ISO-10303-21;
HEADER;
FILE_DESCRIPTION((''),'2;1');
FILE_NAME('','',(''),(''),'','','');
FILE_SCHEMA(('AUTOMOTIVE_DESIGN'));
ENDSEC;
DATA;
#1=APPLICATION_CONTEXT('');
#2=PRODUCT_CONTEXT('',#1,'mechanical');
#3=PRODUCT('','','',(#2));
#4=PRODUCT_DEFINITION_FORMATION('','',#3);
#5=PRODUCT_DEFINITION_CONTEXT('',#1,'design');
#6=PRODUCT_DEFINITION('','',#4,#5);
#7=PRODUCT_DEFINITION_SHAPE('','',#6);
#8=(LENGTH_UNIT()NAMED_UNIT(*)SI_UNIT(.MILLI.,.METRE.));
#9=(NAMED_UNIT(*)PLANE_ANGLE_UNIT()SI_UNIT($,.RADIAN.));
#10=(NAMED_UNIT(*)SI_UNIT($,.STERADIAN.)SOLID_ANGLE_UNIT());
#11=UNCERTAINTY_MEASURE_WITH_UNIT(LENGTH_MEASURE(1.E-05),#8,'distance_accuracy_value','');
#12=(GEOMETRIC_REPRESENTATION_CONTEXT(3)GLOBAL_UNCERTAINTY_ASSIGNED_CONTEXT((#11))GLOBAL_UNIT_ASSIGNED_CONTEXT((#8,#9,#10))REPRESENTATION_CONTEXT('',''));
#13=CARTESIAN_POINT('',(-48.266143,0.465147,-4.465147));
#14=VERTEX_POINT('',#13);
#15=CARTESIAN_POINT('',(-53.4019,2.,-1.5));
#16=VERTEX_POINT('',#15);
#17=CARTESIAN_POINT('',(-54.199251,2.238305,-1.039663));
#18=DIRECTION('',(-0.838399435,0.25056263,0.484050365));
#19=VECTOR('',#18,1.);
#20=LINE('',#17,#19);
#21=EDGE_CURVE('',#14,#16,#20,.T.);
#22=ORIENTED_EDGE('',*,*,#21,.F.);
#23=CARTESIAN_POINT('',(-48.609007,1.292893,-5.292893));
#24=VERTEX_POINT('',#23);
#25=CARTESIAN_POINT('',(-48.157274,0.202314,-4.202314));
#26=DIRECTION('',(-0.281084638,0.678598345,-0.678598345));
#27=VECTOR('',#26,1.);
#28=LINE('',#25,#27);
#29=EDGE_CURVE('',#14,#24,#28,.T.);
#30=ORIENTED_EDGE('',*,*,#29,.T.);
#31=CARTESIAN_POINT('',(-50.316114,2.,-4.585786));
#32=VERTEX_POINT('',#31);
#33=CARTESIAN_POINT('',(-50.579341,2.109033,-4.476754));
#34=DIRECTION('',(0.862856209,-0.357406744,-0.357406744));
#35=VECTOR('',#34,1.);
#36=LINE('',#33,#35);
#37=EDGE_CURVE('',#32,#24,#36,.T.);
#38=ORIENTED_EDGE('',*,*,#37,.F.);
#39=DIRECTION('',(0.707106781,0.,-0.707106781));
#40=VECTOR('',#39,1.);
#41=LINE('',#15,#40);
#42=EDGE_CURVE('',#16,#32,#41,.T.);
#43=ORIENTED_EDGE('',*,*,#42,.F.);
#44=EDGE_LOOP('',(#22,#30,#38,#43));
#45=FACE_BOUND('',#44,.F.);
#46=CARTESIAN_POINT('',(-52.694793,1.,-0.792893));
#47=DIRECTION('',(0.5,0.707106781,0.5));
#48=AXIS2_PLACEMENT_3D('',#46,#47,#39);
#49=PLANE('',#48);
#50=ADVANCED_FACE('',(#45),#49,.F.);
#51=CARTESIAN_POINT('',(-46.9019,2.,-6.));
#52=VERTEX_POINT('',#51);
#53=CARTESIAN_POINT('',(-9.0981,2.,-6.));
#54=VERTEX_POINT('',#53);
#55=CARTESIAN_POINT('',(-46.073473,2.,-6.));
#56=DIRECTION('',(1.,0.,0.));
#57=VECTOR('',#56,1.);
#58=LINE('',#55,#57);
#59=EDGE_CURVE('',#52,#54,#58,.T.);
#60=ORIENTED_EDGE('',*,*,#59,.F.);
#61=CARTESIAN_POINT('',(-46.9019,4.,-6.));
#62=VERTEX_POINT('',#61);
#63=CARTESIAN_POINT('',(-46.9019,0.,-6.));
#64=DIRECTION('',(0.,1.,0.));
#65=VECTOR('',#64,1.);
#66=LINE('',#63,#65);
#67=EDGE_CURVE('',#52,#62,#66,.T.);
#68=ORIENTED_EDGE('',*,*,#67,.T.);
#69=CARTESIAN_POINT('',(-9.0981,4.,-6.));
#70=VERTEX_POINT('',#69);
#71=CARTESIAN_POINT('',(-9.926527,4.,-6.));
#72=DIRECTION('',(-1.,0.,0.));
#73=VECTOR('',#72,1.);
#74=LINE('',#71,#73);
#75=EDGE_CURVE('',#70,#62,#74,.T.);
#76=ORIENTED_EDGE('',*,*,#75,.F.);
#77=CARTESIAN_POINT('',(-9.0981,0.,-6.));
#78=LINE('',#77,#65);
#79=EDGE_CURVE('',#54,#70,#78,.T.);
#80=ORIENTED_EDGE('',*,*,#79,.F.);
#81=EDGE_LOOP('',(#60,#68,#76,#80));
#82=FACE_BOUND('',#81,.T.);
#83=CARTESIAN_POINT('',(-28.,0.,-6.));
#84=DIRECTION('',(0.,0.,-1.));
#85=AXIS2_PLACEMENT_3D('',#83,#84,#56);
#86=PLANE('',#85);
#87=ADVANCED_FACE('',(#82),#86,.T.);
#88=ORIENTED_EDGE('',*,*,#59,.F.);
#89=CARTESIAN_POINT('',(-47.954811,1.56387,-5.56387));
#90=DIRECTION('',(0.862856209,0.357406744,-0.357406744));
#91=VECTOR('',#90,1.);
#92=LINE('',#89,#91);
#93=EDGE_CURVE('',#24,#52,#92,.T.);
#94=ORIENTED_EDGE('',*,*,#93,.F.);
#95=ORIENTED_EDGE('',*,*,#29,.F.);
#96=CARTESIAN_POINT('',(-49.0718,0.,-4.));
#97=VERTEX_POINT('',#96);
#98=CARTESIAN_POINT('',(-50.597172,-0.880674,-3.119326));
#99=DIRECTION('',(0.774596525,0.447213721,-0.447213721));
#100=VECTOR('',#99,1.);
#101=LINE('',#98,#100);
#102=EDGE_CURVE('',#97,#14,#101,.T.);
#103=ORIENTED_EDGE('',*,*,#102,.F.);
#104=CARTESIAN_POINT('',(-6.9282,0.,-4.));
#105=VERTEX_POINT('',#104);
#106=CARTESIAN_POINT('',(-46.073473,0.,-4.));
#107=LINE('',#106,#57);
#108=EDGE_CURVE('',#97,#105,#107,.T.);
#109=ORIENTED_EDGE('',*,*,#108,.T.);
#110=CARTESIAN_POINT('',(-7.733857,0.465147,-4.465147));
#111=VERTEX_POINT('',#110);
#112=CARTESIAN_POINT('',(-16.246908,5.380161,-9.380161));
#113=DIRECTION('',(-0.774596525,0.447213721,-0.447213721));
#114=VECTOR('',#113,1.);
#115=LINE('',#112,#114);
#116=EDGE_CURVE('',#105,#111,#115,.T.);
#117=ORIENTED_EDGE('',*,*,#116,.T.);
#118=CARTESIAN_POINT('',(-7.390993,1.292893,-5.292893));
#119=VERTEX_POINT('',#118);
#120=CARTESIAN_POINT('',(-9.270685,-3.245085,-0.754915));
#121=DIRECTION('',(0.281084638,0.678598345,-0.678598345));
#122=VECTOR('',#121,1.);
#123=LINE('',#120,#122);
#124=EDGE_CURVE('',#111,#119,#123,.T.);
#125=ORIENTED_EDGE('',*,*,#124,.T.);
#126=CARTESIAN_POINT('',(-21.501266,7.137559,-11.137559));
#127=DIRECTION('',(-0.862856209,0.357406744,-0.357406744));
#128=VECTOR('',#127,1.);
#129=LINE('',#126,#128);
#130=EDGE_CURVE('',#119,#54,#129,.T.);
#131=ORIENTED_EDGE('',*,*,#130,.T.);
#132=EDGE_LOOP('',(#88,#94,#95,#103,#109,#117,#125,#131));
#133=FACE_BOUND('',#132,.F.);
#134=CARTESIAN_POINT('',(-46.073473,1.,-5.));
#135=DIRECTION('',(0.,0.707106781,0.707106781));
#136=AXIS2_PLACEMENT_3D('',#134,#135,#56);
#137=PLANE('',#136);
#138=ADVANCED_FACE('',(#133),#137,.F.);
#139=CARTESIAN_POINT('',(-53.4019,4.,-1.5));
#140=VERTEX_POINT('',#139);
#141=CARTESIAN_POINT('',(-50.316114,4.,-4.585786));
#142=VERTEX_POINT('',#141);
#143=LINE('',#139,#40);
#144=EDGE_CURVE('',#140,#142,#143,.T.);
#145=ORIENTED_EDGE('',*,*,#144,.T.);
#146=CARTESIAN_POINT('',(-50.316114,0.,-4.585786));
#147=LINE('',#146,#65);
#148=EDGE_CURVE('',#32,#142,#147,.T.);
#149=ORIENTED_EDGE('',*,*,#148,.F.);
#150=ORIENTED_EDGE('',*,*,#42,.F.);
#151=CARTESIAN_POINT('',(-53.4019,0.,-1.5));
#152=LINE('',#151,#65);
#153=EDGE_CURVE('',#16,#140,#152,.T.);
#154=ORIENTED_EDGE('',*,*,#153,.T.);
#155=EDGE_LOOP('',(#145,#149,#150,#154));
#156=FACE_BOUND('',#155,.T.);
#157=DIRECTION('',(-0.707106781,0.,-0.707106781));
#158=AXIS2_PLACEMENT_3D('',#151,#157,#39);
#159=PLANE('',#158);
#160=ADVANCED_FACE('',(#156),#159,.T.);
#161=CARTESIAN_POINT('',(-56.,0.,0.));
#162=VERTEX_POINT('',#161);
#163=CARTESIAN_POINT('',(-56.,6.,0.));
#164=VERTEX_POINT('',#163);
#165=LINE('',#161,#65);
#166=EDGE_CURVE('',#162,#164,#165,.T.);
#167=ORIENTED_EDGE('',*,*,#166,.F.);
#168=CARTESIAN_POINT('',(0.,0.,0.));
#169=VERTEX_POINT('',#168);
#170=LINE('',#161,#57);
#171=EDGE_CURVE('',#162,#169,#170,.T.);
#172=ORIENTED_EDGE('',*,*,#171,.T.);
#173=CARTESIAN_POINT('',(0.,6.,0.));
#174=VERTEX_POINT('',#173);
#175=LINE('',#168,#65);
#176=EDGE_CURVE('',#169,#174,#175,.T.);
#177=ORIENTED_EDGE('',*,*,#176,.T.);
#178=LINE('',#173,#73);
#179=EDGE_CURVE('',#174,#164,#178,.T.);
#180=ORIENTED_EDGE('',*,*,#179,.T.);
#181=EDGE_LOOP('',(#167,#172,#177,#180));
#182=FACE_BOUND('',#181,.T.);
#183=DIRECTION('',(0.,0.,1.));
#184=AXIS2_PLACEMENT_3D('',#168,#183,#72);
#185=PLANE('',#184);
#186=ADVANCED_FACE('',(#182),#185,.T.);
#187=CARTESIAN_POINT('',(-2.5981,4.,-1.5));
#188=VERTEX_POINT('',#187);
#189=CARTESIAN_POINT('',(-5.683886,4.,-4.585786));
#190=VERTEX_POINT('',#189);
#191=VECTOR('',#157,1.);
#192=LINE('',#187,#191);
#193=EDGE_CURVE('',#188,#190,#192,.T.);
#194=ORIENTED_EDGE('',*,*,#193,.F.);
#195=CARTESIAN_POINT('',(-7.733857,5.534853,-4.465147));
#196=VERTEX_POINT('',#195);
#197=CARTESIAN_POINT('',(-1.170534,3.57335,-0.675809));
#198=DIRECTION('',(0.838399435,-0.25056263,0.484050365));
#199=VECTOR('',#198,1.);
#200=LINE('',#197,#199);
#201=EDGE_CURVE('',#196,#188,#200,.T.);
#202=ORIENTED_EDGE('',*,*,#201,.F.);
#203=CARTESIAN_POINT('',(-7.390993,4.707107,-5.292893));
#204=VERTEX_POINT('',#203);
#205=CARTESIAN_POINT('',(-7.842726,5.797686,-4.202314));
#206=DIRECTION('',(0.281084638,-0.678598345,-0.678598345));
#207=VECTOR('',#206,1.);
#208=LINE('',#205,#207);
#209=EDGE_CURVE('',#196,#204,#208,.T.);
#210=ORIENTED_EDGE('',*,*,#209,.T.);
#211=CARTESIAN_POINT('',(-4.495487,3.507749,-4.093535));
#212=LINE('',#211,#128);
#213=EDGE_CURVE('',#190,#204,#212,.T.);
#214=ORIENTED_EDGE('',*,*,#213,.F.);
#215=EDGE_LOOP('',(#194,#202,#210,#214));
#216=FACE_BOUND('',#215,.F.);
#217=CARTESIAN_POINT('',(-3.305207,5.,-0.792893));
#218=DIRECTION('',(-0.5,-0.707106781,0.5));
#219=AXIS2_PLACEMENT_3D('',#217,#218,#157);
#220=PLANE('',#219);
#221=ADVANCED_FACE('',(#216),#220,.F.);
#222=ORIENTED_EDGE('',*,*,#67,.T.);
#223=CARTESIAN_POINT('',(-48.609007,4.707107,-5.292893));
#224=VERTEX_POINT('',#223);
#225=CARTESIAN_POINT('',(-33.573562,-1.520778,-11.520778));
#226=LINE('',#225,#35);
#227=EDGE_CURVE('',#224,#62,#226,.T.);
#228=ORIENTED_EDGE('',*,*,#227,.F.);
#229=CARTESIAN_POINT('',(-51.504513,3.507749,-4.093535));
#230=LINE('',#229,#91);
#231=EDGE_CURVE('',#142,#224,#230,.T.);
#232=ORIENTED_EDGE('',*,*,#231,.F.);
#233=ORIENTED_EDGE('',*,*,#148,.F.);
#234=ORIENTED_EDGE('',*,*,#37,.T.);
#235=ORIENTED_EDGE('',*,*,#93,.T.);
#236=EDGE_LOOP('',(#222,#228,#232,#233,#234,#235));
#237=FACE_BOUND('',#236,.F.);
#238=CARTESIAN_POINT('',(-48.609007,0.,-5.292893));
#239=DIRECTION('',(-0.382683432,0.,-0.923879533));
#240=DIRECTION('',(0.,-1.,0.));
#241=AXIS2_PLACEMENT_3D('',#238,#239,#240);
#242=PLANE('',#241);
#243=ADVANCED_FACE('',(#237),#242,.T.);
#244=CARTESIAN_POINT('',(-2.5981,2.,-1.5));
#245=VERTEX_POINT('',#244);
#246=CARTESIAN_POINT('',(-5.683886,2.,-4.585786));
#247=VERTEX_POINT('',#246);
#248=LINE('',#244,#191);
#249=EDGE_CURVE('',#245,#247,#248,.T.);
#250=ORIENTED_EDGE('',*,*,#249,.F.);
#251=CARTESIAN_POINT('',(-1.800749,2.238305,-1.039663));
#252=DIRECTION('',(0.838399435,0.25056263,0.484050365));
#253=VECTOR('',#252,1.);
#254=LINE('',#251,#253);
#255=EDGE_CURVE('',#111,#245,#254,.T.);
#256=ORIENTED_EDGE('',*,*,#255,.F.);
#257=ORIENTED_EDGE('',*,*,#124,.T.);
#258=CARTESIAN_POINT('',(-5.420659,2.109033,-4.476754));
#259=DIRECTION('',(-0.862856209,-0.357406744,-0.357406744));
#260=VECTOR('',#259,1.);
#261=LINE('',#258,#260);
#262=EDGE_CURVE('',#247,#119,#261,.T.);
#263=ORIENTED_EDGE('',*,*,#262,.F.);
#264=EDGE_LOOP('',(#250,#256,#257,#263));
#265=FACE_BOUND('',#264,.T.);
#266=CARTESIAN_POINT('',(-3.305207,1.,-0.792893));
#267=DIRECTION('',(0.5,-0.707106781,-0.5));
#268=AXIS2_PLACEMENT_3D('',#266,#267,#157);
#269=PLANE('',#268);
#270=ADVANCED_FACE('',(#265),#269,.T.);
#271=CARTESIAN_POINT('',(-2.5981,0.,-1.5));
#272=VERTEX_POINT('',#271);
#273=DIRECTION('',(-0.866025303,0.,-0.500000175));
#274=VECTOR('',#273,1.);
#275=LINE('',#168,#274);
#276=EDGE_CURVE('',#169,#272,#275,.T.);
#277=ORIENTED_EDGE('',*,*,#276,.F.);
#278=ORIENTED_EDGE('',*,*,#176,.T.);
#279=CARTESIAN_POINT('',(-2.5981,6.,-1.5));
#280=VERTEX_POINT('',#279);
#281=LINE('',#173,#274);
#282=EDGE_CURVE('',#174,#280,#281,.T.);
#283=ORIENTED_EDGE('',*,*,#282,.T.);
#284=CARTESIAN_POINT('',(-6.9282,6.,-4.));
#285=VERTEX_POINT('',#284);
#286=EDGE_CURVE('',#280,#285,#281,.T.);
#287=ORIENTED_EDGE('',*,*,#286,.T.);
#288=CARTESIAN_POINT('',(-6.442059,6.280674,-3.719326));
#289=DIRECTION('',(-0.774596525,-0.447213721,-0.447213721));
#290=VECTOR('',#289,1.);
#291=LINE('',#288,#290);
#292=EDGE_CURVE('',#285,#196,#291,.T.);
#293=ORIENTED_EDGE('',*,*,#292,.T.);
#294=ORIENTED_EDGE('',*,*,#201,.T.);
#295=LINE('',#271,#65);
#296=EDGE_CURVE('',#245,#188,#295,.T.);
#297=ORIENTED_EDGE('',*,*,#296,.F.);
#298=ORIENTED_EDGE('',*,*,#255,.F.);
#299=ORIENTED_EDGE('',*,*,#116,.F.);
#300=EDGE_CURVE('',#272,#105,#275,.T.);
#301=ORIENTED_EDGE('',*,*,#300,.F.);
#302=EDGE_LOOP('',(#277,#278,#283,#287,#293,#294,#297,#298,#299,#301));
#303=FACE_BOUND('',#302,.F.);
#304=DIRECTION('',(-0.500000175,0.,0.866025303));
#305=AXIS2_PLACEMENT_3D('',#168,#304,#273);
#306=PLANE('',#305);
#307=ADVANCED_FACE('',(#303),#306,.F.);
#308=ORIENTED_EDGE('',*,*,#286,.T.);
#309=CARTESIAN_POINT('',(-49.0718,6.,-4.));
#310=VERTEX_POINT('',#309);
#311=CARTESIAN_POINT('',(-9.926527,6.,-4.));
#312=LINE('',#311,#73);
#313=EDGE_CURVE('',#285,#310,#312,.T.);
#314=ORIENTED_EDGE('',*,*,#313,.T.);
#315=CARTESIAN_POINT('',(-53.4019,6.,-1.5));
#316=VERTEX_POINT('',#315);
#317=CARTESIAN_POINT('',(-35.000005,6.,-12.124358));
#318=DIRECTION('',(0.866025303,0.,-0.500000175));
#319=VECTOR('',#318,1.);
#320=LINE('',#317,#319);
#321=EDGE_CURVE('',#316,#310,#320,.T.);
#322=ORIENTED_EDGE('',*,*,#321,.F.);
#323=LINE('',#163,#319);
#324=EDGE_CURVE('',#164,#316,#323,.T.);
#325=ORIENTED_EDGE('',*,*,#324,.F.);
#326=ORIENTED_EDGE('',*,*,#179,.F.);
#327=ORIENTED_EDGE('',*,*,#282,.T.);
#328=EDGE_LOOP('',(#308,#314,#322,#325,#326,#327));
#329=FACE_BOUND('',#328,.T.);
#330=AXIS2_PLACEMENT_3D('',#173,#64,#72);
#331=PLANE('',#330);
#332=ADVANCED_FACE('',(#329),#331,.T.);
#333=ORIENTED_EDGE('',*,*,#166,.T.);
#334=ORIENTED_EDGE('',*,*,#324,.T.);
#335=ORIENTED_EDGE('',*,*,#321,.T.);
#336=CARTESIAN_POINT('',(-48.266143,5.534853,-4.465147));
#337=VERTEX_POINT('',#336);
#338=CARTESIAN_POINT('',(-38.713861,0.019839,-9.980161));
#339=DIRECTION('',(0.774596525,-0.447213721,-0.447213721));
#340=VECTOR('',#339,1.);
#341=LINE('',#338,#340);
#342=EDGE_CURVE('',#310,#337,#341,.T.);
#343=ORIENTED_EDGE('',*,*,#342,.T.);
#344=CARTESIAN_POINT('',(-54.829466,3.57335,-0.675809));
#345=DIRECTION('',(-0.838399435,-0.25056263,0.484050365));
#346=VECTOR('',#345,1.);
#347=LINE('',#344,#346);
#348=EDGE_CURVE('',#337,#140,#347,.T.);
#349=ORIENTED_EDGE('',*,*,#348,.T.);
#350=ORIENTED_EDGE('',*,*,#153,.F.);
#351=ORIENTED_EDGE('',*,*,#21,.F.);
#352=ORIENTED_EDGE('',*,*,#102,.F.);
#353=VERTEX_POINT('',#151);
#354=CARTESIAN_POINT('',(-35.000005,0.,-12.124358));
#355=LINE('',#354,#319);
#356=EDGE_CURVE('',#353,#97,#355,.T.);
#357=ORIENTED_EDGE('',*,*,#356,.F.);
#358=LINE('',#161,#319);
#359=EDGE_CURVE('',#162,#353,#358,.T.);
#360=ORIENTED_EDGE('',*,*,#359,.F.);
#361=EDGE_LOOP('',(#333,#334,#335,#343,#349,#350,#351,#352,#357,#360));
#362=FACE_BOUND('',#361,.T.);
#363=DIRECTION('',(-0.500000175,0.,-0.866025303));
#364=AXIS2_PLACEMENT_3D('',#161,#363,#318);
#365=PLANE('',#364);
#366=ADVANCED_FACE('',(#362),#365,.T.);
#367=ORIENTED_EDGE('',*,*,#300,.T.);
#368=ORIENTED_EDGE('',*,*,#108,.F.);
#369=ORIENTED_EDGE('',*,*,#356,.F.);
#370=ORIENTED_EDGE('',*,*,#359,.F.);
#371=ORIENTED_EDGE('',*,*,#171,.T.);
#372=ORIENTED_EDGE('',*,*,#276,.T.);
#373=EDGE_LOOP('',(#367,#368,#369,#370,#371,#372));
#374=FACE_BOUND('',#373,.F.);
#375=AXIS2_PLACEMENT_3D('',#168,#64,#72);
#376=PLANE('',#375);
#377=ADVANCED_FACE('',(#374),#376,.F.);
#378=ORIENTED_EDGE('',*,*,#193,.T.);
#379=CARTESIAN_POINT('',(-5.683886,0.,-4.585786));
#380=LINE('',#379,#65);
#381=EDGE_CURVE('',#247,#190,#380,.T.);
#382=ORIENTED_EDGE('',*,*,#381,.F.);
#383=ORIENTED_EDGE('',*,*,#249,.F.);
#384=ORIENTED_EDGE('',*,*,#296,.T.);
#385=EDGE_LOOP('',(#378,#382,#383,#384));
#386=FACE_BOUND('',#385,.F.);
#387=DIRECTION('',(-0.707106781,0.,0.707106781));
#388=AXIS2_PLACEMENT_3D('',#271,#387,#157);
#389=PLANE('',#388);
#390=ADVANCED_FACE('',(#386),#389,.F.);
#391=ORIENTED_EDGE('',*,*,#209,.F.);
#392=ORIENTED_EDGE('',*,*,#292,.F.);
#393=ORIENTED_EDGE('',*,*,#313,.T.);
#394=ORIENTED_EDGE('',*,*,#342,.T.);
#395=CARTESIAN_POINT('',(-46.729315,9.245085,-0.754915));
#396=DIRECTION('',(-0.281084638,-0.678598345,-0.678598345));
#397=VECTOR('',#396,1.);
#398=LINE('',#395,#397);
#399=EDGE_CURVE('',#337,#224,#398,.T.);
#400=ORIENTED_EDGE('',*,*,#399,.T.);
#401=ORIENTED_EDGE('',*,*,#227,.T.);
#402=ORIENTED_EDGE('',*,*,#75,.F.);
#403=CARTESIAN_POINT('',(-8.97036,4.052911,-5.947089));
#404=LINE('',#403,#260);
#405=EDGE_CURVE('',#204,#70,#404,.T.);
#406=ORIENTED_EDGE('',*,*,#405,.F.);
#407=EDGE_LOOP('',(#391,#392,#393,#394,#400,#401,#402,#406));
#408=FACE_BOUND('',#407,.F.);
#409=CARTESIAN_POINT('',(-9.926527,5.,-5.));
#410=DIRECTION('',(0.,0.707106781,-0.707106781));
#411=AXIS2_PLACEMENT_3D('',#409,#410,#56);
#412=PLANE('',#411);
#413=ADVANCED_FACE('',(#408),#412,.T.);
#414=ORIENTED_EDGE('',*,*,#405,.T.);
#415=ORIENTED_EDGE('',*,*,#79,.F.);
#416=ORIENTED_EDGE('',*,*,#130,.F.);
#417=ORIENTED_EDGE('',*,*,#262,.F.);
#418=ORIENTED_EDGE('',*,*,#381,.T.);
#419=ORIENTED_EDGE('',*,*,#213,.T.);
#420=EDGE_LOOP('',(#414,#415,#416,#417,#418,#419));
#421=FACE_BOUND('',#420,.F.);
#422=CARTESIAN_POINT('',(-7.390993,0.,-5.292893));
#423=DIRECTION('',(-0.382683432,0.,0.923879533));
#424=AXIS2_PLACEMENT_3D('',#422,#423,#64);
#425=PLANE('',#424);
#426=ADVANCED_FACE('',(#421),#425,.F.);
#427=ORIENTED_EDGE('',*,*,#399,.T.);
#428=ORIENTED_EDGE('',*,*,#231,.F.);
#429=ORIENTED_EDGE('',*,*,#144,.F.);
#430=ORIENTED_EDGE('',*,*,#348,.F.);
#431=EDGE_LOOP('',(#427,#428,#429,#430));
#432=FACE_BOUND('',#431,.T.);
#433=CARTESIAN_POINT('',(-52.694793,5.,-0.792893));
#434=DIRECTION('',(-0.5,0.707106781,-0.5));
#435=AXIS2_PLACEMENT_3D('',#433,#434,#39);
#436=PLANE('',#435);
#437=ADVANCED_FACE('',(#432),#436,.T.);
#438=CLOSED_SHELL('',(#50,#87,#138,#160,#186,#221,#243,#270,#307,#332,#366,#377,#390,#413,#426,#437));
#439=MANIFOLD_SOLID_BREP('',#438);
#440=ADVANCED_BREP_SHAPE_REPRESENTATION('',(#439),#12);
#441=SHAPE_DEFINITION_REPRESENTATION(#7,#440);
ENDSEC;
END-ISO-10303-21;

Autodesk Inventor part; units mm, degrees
ref_plane "YZ Plane" through (0, 0, 0) normal (1, 0, 0) x (0, 1, 0)
ref_plane "XZ Plane" through (0, 0, 0) normal (0, 1, 0) x (-1, 0, 0)
ref_plane "XY Plane" through (0, 0, 0) normal (0, 0, 1) x (1, 0, 0)
sketch "Sketch1" plane through (0, 0, 0) normal (0, 1, 0) x (-1, 0, 0)
  line L0 (0, 0) -> (56, 0)
  line L1 (56, 0) -> (54.5, 0)
  line L2 (56, 0) -> (21.359, -20)
  line L3 (56, 0) -> (96, 0) construction
  line L4 (28, 0) -> (28, 5.9969)
  line L5 (0, 0) -> (34.641, -20)
  line L6 (28, 0) -> (28, -6)
  line L7 (28, -6) -> (78, -6)
  line L8 (28, -6) -> (-22, -6)
  line L9 (56, 0) -> (53.4019, -1.5)
  line L10 (53.4019, -1.5) -> (39.2598, -15.6421)
  line L11 (53.4019, -1.5) -> (73.4019, -1.5) construction
  line L12 (2.5981, -1.5) -> (16.7402, -15.6421)
  point P0 (48.9019, -6)
  point P1 (7.0981, -6)
  dimension "d0" = 56
  dimension "d3" = 40
  dimension "d4" = 150
  dimension "d5" = 6
  dimension "d6" = 50
  dimension "d7" = 50
  dimension "d8" = 3
  dimension "d9" = 20
  dimension "d10" = 135
extrude "Extrusion1" add sketch "Sketch1" along normal blind 6 contours L0 L6 L8 L5 | L0 L2 L7 L6 | L5 L8 L12 | L2 L10 L7
chamfer "Chamfer1" distance 2 angle 45 6 edges at (-48.9019, 3, -6) (-51.1519, 6, -3.75) (-51.1519, 0, -3.75) (-4.8481, 0, -3.75) (-7.0981, 3, -6) (-4.8481, 6, -3.75)
chamfer "Chamfer2" distance 2 angle 45 2 edges at (-37.0367, 0, -6) (-37.0367, 6, -6)
properties part number "parallel_bar_long_no_hole_v2"
